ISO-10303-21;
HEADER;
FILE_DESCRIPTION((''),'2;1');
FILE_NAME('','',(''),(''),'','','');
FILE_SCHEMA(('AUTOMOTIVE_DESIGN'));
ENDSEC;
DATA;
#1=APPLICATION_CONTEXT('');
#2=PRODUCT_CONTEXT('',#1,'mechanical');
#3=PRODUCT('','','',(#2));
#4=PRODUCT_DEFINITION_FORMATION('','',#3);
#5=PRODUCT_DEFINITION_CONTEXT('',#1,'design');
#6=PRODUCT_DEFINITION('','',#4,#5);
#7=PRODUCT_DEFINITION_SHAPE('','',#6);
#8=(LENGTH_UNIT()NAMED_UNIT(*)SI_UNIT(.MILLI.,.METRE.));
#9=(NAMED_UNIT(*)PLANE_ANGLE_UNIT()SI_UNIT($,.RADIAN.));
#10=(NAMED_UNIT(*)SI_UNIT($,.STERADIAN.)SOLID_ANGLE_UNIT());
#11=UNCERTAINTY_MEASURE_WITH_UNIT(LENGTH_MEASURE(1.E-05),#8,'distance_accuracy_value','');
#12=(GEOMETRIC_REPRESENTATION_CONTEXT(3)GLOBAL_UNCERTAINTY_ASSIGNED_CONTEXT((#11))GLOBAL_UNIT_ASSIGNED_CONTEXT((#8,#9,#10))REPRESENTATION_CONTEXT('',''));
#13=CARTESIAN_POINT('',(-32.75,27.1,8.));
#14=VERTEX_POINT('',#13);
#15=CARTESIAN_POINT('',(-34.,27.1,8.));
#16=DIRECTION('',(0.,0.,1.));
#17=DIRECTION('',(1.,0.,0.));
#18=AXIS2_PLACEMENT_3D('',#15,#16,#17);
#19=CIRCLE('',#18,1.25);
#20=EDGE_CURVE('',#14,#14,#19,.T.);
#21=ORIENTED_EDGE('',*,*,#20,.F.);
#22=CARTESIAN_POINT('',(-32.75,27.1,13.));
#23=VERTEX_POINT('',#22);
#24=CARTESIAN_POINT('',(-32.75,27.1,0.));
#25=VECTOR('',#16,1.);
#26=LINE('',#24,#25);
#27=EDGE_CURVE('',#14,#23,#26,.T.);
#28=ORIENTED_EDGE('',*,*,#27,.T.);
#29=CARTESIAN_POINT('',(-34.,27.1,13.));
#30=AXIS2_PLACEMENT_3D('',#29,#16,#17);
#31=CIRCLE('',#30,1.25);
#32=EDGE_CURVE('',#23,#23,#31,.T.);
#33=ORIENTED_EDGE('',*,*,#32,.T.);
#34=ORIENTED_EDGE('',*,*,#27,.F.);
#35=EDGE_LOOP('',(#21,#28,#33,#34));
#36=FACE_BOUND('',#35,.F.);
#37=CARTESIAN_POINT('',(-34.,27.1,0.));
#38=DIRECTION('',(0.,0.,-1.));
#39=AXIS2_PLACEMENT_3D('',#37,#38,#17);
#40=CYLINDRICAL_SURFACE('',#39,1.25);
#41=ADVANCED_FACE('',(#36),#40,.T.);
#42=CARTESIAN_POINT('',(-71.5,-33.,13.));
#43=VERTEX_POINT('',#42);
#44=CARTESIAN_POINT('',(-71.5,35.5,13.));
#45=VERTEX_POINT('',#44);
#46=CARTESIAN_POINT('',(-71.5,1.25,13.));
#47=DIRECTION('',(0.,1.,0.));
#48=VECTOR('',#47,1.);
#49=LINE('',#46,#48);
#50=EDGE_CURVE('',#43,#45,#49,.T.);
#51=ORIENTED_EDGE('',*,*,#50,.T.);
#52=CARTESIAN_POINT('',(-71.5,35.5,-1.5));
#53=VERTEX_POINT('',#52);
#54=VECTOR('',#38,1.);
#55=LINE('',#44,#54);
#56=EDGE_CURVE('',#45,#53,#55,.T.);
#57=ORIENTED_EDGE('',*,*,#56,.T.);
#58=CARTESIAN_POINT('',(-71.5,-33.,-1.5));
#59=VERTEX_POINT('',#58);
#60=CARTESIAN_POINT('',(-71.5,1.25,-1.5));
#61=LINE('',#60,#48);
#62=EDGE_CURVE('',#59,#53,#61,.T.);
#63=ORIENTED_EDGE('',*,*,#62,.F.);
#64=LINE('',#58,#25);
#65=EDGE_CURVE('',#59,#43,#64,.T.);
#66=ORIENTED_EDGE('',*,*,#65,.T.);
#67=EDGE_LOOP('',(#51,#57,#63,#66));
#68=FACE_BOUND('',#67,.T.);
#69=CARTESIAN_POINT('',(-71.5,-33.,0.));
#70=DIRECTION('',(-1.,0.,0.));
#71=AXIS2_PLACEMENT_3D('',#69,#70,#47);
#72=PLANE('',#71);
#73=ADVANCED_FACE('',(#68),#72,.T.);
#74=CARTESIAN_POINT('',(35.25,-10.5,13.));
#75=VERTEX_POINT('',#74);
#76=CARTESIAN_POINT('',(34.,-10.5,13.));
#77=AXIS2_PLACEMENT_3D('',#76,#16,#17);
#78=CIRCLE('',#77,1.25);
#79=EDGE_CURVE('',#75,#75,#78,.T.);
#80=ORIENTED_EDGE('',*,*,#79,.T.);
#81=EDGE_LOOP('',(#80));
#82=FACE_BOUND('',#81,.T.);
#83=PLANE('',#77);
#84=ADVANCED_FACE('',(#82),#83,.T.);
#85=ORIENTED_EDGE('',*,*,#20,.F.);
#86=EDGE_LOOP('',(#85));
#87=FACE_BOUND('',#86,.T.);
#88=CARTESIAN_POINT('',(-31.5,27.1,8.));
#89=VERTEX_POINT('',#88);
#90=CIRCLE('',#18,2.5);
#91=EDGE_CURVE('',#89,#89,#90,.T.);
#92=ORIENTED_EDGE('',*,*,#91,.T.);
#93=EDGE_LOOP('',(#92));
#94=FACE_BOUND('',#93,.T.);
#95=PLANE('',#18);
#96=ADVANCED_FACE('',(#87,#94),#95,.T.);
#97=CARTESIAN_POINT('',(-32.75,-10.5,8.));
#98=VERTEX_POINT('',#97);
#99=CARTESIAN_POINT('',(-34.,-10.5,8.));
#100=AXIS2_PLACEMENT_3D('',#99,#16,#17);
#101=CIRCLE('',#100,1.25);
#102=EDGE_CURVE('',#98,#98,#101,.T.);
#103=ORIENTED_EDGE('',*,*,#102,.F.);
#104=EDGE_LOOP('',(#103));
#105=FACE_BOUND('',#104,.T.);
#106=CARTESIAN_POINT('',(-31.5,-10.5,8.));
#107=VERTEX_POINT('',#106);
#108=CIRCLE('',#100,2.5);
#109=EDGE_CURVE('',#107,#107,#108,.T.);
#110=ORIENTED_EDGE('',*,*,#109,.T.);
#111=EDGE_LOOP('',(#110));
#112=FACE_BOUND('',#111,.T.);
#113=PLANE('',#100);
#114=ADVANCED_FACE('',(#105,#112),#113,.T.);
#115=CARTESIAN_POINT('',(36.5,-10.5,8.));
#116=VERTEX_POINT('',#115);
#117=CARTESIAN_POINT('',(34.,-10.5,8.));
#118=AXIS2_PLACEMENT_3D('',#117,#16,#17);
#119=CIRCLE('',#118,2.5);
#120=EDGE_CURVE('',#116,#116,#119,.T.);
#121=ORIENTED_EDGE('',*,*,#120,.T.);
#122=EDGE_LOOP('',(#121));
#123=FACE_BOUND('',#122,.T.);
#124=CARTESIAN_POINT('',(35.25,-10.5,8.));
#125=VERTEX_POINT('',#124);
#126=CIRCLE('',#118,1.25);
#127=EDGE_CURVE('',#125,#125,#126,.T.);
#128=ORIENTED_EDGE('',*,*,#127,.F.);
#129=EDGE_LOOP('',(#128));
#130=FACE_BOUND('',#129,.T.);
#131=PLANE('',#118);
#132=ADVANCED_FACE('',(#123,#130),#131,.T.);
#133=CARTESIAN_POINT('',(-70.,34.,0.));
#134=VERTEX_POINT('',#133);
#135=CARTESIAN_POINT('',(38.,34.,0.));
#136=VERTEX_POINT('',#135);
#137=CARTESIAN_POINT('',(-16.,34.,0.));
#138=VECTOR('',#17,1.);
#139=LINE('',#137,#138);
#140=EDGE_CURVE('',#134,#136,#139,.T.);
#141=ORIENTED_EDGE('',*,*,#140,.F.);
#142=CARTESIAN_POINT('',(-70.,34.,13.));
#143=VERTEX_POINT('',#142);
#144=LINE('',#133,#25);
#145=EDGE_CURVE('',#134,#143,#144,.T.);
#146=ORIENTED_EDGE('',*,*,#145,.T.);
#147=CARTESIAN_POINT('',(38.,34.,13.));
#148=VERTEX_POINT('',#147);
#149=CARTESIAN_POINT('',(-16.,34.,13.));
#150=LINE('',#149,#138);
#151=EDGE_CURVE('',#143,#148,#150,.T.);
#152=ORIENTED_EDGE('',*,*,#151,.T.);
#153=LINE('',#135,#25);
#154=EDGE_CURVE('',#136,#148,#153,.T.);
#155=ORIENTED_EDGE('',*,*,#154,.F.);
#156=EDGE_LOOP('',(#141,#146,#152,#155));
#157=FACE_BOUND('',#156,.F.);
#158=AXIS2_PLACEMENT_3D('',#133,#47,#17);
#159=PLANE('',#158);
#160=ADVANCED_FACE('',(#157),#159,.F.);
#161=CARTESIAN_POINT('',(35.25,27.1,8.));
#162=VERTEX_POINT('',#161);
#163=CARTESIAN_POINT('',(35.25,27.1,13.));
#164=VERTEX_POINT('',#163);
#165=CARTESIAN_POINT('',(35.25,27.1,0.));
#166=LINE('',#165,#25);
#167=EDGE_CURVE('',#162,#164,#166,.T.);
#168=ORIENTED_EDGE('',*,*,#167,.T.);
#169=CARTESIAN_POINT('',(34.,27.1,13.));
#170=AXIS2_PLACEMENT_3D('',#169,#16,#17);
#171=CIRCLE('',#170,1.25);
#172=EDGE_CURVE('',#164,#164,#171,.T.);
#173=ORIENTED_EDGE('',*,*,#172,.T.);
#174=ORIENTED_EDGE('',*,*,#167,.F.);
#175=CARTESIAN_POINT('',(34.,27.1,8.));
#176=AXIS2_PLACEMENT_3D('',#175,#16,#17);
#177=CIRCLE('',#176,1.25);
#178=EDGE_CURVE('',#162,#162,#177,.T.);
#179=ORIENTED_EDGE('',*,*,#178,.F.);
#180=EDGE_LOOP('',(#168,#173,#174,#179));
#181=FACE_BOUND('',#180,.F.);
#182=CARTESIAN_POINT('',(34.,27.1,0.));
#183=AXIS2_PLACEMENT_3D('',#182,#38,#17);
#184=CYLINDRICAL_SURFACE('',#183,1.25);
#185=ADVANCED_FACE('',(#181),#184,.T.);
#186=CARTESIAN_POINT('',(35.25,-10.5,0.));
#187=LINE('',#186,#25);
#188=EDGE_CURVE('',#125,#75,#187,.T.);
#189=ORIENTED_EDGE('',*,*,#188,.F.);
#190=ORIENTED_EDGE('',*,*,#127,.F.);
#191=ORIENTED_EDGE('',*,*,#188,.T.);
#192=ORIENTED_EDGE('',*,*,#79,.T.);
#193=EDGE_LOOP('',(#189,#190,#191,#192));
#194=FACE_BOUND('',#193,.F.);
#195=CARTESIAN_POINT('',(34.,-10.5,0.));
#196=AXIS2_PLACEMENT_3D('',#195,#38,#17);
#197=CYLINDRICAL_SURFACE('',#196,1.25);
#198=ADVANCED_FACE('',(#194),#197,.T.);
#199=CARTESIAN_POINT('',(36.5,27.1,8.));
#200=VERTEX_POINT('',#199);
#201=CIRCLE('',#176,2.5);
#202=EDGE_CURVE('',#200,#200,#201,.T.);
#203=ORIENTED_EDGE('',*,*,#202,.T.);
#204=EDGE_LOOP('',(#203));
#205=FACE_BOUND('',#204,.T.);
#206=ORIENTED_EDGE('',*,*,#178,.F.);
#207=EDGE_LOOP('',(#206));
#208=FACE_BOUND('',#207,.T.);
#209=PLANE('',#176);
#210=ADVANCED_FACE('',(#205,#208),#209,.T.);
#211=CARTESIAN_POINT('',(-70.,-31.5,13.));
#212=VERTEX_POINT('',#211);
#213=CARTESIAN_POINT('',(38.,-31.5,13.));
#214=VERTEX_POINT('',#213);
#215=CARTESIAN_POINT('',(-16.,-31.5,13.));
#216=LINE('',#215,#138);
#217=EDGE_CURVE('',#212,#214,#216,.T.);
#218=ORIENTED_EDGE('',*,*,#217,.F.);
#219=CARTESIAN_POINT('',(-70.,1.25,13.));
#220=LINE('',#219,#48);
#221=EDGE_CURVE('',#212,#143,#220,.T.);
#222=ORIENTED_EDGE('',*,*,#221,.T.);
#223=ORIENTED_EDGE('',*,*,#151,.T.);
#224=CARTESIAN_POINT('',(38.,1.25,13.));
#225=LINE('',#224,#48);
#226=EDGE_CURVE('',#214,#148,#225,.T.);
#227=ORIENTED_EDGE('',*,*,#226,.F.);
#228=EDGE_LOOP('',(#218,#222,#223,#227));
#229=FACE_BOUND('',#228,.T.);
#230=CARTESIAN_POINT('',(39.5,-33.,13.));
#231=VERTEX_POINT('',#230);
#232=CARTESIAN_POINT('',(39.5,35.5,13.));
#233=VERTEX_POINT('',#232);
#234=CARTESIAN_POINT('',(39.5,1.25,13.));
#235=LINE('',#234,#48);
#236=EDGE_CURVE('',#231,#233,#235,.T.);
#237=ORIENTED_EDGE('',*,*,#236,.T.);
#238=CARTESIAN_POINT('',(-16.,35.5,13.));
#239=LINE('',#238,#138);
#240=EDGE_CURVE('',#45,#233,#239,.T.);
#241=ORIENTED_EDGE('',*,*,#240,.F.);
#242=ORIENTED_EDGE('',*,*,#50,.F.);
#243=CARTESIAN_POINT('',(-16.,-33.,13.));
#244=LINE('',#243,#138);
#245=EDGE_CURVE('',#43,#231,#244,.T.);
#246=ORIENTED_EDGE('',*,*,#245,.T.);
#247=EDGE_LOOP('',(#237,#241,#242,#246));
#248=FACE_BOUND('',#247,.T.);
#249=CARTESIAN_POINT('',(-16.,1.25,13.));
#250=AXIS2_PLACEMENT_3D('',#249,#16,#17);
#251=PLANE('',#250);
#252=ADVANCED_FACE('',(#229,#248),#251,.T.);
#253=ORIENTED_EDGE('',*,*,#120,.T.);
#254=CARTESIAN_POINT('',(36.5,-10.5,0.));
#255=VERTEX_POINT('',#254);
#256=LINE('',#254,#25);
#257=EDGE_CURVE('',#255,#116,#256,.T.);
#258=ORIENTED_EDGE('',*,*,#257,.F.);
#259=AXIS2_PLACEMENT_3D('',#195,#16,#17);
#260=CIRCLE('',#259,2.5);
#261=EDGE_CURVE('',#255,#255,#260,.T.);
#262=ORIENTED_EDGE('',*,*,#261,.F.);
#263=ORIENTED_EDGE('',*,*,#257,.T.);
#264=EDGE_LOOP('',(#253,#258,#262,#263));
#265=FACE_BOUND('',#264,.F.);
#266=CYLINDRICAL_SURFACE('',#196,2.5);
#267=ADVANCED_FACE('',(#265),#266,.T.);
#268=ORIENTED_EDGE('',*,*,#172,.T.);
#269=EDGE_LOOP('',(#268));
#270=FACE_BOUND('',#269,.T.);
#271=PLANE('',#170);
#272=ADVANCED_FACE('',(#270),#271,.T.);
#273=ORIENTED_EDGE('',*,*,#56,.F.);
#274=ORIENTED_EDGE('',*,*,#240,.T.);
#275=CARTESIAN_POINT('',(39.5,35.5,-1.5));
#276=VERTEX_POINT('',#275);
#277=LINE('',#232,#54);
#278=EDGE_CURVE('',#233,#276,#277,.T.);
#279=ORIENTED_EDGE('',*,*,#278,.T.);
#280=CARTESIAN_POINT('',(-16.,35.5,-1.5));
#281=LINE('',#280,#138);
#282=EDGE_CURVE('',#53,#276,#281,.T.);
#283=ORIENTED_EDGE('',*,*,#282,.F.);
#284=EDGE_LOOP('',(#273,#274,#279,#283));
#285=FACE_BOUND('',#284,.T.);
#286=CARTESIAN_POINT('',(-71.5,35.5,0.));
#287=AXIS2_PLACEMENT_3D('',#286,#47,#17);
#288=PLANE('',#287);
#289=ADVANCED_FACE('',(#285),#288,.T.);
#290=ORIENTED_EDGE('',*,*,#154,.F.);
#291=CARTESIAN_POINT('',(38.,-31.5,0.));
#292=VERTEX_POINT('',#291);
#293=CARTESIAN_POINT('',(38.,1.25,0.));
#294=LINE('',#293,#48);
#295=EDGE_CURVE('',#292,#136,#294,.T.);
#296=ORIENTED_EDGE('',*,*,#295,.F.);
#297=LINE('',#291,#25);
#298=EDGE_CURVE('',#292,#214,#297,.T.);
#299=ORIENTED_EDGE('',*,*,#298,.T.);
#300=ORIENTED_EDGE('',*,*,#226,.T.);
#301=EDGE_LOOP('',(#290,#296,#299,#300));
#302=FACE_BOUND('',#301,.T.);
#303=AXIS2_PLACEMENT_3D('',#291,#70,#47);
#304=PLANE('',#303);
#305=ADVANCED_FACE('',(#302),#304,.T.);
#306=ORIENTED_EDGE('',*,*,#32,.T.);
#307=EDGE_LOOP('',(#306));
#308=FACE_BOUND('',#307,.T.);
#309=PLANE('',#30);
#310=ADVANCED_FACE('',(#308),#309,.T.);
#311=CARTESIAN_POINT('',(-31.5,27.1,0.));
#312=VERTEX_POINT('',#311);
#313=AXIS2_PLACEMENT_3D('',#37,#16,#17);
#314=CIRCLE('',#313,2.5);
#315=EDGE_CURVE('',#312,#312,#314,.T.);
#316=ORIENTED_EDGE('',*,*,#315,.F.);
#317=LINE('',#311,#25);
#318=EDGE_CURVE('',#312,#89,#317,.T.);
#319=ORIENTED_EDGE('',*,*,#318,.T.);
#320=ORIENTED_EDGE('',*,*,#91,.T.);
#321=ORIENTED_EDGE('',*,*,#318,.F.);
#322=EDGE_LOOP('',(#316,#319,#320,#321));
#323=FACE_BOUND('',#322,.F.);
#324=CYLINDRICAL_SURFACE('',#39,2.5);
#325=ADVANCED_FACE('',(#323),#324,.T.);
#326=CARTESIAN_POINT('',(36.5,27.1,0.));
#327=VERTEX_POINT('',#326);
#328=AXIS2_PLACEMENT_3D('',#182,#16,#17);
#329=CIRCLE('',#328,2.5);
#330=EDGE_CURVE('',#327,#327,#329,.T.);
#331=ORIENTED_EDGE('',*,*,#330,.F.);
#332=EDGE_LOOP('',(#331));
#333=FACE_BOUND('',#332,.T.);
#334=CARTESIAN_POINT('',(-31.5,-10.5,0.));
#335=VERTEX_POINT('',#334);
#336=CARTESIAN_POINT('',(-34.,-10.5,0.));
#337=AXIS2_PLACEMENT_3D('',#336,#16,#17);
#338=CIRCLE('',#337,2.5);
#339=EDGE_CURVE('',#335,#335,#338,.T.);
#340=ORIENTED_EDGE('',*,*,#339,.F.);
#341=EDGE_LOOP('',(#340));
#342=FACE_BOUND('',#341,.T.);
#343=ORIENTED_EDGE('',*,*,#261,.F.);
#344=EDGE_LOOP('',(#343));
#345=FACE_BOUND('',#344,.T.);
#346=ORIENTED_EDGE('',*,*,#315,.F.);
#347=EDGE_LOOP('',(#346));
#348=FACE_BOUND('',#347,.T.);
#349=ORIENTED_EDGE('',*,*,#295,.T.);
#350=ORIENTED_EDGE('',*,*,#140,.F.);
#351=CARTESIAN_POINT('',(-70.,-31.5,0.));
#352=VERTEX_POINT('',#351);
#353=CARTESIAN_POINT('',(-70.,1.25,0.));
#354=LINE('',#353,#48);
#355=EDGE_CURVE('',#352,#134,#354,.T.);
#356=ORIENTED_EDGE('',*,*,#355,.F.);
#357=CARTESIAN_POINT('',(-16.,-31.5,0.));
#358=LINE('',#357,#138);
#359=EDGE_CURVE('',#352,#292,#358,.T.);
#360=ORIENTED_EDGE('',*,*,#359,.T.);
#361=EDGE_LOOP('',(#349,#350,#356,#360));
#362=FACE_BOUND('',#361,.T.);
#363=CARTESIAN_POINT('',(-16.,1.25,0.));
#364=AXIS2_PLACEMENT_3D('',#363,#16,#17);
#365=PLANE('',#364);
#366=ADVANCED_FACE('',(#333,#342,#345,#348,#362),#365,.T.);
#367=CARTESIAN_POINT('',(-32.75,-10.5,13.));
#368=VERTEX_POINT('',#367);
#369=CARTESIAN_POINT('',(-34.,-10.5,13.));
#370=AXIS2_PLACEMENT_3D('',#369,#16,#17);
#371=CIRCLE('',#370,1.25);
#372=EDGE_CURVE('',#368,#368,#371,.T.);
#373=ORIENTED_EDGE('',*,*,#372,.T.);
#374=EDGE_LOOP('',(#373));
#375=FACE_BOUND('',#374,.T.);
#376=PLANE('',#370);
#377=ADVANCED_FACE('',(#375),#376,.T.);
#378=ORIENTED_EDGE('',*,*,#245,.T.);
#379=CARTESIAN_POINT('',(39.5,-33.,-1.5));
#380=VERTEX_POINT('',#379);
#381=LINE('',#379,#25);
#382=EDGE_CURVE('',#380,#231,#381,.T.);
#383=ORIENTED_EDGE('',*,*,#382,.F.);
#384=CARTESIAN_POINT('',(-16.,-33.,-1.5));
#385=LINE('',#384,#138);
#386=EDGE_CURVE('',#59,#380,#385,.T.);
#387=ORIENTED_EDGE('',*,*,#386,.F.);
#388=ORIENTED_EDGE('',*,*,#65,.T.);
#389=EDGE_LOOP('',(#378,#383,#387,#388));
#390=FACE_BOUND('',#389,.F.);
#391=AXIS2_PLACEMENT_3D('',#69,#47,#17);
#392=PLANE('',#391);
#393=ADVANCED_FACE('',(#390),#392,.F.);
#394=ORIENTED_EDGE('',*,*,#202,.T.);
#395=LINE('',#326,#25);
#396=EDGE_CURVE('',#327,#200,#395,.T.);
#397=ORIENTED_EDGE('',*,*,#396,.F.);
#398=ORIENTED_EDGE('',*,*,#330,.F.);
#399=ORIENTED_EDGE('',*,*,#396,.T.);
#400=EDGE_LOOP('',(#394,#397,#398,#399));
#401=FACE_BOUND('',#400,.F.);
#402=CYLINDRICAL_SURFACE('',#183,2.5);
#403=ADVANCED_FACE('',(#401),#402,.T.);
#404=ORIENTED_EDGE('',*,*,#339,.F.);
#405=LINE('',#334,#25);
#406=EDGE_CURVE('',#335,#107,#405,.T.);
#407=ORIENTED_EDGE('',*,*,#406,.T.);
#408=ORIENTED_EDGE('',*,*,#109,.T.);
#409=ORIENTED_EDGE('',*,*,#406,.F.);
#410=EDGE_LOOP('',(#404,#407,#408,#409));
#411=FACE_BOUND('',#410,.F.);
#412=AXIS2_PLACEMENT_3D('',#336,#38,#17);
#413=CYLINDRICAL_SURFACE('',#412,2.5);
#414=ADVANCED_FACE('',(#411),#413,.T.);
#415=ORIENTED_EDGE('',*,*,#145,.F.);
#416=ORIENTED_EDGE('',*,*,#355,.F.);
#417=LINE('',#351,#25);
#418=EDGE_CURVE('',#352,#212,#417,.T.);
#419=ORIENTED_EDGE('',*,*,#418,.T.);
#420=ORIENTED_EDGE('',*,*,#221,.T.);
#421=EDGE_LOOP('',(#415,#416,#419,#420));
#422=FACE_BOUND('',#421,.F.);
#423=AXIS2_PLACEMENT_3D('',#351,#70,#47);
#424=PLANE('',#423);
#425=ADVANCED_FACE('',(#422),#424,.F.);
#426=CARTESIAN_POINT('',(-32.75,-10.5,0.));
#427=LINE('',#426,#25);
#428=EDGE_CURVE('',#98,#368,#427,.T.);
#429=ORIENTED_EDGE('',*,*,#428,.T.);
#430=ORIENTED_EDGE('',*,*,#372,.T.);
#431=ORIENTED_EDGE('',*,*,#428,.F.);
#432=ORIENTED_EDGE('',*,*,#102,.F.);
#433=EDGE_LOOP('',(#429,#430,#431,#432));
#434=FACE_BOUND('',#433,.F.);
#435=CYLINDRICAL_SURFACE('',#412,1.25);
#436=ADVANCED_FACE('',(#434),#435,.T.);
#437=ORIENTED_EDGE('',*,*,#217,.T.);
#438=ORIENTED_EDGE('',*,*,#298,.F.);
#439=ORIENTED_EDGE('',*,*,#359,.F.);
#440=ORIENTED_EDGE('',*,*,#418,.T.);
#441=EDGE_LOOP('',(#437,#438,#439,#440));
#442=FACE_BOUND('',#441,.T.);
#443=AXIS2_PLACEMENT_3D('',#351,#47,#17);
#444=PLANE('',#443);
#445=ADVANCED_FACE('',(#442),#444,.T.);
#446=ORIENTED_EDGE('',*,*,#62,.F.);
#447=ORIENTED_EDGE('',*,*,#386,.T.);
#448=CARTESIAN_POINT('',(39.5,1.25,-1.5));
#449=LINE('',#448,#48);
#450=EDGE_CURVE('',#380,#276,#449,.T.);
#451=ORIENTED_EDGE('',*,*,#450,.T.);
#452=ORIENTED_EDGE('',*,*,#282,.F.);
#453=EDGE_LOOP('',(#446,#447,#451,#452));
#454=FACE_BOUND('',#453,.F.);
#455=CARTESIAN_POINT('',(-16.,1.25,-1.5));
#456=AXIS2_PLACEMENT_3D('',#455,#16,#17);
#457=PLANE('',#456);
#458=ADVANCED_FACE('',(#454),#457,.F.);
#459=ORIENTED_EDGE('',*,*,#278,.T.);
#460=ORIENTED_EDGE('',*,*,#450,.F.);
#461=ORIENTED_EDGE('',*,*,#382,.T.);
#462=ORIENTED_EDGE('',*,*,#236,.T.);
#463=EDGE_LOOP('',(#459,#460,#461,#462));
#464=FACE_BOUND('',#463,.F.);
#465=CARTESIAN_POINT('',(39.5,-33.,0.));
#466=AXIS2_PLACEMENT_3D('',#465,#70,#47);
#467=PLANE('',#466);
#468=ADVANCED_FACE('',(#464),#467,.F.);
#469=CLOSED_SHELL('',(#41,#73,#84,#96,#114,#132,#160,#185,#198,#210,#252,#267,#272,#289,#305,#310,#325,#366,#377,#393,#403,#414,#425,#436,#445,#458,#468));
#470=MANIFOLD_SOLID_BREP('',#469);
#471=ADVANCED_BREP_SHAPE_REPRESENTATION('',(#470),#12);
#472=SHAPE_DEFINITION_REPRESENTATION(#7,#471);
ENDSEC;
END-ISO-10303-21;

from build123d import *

# Parameters (mm, degrees)
F0_W     = 111
F0_H     = 68.5
F0_W_2   = 108
F0_H_2   = 65.5
F0_R     = 2.5
F0_R_2   = 1.25
F1_DEPTH = 1.5
F2_DEPTH = 13
F3_DEPTH = 8


with BuildPart() as f1:
    # F0 (on Top) → F1 (new body)
    with BuildSketch(Plane.XY):
        with Locations((-16, 1.25)):
            Rectangle(F0_W, F0_H)
        with Locations((-16, 1.25)):
            Rectangle(F0_W_2, F0_H_2, mode=Mode.SUBTRACT)
        with Locations((-16, 1.25)):
            Rectangle(F0_W_2, F0_H_2)
        with Locations((-34, -10.5)):
            Circle(F0_R, mode=Mode.SUBTRACT)
        with Locations((34, -10.5)):
            Circle(F0_R, mode=Mode.SUBTRACT)
        with Locations((-34, 27.1)):
            Circle(F0_R, mode=Mode.SUBTRACT)
        with Locations((34, 27.1)):
            Circle(F0_R, mode=Mode.SUBTRACT)
        with Locations((-34, -10.5)):
            Circle(F0_R)
        with Locations((-34, -10.5)):
            Circle(F0_R_2, mode=Mode.SUBTRACT)
        with Locations((-34, -10.5)):
            Circle(F0_R_2)
        with Locations((34, -10.5)):
            Circle(F0_R)
        with Locations((34, -10.5)):
            Circle(F0_R_2, mode=Mode.SUBTRACT)
        with Locations((34, -10.5)):
            Circle(F0_R_2)
        with Locations((34, 27.1)):
            Circle(F0_R)
        with Locations((34, 27.1)):
            Circle(F0_R_2, mode=Mode.SUBTRACT)
        with Locations((34, 27.1)):
            Circle(F0_R_2)
        with Locations((-34, 27.1)):
            Circle(F0_R)
        with Locations((-34, 27.1)):
            Circle(F0_R_2, mode=Mode.SUBTRACT)
        with Locations((-34, 27.1)):
            Circle(F0_R_2)
    extrude(amount=-F1_DEPTH)

    # F0 (on Top) → F2 (join)
    with BuildSketch(Plane.XY):
        with Locations((-16, 1.25)):
            Rectangle(F0_W, F0_H)
        with Locations((-16, 1.25)):
            Rectangle(F0_W_2, F0_H_2, mode=Mode.SUBTRACT)
        with Locations((-34, 27.1)):
            Circle(F0_R_2)
        with Locations((34, 27.1)):
            Circle(F0_R_2)
        with Locations((34, -10.5)):
            Circle(F0_R_2)
        with Locations((-34, -10.5)):
            Circle(F0_R_2)
    extrude(amount=F2_DEPTH)

    # F0 (on Top) → F3 (join)
    with BuildSketch(Plane.XY):
        with Locations((-34, 27.1)):
            Circle(F0_R)
        with Locations((-34, 27.1)):
            Circle(F0_R_2, mode=Mode.SUBTRACT)
        with Locations((-34, -10.5)):
            Circle(F0_R)
        with Locations((-34, -10.5)):
            Circle(F0_R_2, mode=Mode.SUBTRACT)
        with Locations((34, 27.1)):
            Circle(F0_R)
        with Locations((34, 27.1)):
            Circle(F0_R_2, mode=Mode.SUBTRACT)
        with Locations((34, -10.5)):
            Circle(F0_R)
        with Locations((34, -10.5)):
            Circle(F0_R_2, mode=Mode.SUBTRACT)
    extrude(amount=F3_DEPTH)


solid = f1.part
